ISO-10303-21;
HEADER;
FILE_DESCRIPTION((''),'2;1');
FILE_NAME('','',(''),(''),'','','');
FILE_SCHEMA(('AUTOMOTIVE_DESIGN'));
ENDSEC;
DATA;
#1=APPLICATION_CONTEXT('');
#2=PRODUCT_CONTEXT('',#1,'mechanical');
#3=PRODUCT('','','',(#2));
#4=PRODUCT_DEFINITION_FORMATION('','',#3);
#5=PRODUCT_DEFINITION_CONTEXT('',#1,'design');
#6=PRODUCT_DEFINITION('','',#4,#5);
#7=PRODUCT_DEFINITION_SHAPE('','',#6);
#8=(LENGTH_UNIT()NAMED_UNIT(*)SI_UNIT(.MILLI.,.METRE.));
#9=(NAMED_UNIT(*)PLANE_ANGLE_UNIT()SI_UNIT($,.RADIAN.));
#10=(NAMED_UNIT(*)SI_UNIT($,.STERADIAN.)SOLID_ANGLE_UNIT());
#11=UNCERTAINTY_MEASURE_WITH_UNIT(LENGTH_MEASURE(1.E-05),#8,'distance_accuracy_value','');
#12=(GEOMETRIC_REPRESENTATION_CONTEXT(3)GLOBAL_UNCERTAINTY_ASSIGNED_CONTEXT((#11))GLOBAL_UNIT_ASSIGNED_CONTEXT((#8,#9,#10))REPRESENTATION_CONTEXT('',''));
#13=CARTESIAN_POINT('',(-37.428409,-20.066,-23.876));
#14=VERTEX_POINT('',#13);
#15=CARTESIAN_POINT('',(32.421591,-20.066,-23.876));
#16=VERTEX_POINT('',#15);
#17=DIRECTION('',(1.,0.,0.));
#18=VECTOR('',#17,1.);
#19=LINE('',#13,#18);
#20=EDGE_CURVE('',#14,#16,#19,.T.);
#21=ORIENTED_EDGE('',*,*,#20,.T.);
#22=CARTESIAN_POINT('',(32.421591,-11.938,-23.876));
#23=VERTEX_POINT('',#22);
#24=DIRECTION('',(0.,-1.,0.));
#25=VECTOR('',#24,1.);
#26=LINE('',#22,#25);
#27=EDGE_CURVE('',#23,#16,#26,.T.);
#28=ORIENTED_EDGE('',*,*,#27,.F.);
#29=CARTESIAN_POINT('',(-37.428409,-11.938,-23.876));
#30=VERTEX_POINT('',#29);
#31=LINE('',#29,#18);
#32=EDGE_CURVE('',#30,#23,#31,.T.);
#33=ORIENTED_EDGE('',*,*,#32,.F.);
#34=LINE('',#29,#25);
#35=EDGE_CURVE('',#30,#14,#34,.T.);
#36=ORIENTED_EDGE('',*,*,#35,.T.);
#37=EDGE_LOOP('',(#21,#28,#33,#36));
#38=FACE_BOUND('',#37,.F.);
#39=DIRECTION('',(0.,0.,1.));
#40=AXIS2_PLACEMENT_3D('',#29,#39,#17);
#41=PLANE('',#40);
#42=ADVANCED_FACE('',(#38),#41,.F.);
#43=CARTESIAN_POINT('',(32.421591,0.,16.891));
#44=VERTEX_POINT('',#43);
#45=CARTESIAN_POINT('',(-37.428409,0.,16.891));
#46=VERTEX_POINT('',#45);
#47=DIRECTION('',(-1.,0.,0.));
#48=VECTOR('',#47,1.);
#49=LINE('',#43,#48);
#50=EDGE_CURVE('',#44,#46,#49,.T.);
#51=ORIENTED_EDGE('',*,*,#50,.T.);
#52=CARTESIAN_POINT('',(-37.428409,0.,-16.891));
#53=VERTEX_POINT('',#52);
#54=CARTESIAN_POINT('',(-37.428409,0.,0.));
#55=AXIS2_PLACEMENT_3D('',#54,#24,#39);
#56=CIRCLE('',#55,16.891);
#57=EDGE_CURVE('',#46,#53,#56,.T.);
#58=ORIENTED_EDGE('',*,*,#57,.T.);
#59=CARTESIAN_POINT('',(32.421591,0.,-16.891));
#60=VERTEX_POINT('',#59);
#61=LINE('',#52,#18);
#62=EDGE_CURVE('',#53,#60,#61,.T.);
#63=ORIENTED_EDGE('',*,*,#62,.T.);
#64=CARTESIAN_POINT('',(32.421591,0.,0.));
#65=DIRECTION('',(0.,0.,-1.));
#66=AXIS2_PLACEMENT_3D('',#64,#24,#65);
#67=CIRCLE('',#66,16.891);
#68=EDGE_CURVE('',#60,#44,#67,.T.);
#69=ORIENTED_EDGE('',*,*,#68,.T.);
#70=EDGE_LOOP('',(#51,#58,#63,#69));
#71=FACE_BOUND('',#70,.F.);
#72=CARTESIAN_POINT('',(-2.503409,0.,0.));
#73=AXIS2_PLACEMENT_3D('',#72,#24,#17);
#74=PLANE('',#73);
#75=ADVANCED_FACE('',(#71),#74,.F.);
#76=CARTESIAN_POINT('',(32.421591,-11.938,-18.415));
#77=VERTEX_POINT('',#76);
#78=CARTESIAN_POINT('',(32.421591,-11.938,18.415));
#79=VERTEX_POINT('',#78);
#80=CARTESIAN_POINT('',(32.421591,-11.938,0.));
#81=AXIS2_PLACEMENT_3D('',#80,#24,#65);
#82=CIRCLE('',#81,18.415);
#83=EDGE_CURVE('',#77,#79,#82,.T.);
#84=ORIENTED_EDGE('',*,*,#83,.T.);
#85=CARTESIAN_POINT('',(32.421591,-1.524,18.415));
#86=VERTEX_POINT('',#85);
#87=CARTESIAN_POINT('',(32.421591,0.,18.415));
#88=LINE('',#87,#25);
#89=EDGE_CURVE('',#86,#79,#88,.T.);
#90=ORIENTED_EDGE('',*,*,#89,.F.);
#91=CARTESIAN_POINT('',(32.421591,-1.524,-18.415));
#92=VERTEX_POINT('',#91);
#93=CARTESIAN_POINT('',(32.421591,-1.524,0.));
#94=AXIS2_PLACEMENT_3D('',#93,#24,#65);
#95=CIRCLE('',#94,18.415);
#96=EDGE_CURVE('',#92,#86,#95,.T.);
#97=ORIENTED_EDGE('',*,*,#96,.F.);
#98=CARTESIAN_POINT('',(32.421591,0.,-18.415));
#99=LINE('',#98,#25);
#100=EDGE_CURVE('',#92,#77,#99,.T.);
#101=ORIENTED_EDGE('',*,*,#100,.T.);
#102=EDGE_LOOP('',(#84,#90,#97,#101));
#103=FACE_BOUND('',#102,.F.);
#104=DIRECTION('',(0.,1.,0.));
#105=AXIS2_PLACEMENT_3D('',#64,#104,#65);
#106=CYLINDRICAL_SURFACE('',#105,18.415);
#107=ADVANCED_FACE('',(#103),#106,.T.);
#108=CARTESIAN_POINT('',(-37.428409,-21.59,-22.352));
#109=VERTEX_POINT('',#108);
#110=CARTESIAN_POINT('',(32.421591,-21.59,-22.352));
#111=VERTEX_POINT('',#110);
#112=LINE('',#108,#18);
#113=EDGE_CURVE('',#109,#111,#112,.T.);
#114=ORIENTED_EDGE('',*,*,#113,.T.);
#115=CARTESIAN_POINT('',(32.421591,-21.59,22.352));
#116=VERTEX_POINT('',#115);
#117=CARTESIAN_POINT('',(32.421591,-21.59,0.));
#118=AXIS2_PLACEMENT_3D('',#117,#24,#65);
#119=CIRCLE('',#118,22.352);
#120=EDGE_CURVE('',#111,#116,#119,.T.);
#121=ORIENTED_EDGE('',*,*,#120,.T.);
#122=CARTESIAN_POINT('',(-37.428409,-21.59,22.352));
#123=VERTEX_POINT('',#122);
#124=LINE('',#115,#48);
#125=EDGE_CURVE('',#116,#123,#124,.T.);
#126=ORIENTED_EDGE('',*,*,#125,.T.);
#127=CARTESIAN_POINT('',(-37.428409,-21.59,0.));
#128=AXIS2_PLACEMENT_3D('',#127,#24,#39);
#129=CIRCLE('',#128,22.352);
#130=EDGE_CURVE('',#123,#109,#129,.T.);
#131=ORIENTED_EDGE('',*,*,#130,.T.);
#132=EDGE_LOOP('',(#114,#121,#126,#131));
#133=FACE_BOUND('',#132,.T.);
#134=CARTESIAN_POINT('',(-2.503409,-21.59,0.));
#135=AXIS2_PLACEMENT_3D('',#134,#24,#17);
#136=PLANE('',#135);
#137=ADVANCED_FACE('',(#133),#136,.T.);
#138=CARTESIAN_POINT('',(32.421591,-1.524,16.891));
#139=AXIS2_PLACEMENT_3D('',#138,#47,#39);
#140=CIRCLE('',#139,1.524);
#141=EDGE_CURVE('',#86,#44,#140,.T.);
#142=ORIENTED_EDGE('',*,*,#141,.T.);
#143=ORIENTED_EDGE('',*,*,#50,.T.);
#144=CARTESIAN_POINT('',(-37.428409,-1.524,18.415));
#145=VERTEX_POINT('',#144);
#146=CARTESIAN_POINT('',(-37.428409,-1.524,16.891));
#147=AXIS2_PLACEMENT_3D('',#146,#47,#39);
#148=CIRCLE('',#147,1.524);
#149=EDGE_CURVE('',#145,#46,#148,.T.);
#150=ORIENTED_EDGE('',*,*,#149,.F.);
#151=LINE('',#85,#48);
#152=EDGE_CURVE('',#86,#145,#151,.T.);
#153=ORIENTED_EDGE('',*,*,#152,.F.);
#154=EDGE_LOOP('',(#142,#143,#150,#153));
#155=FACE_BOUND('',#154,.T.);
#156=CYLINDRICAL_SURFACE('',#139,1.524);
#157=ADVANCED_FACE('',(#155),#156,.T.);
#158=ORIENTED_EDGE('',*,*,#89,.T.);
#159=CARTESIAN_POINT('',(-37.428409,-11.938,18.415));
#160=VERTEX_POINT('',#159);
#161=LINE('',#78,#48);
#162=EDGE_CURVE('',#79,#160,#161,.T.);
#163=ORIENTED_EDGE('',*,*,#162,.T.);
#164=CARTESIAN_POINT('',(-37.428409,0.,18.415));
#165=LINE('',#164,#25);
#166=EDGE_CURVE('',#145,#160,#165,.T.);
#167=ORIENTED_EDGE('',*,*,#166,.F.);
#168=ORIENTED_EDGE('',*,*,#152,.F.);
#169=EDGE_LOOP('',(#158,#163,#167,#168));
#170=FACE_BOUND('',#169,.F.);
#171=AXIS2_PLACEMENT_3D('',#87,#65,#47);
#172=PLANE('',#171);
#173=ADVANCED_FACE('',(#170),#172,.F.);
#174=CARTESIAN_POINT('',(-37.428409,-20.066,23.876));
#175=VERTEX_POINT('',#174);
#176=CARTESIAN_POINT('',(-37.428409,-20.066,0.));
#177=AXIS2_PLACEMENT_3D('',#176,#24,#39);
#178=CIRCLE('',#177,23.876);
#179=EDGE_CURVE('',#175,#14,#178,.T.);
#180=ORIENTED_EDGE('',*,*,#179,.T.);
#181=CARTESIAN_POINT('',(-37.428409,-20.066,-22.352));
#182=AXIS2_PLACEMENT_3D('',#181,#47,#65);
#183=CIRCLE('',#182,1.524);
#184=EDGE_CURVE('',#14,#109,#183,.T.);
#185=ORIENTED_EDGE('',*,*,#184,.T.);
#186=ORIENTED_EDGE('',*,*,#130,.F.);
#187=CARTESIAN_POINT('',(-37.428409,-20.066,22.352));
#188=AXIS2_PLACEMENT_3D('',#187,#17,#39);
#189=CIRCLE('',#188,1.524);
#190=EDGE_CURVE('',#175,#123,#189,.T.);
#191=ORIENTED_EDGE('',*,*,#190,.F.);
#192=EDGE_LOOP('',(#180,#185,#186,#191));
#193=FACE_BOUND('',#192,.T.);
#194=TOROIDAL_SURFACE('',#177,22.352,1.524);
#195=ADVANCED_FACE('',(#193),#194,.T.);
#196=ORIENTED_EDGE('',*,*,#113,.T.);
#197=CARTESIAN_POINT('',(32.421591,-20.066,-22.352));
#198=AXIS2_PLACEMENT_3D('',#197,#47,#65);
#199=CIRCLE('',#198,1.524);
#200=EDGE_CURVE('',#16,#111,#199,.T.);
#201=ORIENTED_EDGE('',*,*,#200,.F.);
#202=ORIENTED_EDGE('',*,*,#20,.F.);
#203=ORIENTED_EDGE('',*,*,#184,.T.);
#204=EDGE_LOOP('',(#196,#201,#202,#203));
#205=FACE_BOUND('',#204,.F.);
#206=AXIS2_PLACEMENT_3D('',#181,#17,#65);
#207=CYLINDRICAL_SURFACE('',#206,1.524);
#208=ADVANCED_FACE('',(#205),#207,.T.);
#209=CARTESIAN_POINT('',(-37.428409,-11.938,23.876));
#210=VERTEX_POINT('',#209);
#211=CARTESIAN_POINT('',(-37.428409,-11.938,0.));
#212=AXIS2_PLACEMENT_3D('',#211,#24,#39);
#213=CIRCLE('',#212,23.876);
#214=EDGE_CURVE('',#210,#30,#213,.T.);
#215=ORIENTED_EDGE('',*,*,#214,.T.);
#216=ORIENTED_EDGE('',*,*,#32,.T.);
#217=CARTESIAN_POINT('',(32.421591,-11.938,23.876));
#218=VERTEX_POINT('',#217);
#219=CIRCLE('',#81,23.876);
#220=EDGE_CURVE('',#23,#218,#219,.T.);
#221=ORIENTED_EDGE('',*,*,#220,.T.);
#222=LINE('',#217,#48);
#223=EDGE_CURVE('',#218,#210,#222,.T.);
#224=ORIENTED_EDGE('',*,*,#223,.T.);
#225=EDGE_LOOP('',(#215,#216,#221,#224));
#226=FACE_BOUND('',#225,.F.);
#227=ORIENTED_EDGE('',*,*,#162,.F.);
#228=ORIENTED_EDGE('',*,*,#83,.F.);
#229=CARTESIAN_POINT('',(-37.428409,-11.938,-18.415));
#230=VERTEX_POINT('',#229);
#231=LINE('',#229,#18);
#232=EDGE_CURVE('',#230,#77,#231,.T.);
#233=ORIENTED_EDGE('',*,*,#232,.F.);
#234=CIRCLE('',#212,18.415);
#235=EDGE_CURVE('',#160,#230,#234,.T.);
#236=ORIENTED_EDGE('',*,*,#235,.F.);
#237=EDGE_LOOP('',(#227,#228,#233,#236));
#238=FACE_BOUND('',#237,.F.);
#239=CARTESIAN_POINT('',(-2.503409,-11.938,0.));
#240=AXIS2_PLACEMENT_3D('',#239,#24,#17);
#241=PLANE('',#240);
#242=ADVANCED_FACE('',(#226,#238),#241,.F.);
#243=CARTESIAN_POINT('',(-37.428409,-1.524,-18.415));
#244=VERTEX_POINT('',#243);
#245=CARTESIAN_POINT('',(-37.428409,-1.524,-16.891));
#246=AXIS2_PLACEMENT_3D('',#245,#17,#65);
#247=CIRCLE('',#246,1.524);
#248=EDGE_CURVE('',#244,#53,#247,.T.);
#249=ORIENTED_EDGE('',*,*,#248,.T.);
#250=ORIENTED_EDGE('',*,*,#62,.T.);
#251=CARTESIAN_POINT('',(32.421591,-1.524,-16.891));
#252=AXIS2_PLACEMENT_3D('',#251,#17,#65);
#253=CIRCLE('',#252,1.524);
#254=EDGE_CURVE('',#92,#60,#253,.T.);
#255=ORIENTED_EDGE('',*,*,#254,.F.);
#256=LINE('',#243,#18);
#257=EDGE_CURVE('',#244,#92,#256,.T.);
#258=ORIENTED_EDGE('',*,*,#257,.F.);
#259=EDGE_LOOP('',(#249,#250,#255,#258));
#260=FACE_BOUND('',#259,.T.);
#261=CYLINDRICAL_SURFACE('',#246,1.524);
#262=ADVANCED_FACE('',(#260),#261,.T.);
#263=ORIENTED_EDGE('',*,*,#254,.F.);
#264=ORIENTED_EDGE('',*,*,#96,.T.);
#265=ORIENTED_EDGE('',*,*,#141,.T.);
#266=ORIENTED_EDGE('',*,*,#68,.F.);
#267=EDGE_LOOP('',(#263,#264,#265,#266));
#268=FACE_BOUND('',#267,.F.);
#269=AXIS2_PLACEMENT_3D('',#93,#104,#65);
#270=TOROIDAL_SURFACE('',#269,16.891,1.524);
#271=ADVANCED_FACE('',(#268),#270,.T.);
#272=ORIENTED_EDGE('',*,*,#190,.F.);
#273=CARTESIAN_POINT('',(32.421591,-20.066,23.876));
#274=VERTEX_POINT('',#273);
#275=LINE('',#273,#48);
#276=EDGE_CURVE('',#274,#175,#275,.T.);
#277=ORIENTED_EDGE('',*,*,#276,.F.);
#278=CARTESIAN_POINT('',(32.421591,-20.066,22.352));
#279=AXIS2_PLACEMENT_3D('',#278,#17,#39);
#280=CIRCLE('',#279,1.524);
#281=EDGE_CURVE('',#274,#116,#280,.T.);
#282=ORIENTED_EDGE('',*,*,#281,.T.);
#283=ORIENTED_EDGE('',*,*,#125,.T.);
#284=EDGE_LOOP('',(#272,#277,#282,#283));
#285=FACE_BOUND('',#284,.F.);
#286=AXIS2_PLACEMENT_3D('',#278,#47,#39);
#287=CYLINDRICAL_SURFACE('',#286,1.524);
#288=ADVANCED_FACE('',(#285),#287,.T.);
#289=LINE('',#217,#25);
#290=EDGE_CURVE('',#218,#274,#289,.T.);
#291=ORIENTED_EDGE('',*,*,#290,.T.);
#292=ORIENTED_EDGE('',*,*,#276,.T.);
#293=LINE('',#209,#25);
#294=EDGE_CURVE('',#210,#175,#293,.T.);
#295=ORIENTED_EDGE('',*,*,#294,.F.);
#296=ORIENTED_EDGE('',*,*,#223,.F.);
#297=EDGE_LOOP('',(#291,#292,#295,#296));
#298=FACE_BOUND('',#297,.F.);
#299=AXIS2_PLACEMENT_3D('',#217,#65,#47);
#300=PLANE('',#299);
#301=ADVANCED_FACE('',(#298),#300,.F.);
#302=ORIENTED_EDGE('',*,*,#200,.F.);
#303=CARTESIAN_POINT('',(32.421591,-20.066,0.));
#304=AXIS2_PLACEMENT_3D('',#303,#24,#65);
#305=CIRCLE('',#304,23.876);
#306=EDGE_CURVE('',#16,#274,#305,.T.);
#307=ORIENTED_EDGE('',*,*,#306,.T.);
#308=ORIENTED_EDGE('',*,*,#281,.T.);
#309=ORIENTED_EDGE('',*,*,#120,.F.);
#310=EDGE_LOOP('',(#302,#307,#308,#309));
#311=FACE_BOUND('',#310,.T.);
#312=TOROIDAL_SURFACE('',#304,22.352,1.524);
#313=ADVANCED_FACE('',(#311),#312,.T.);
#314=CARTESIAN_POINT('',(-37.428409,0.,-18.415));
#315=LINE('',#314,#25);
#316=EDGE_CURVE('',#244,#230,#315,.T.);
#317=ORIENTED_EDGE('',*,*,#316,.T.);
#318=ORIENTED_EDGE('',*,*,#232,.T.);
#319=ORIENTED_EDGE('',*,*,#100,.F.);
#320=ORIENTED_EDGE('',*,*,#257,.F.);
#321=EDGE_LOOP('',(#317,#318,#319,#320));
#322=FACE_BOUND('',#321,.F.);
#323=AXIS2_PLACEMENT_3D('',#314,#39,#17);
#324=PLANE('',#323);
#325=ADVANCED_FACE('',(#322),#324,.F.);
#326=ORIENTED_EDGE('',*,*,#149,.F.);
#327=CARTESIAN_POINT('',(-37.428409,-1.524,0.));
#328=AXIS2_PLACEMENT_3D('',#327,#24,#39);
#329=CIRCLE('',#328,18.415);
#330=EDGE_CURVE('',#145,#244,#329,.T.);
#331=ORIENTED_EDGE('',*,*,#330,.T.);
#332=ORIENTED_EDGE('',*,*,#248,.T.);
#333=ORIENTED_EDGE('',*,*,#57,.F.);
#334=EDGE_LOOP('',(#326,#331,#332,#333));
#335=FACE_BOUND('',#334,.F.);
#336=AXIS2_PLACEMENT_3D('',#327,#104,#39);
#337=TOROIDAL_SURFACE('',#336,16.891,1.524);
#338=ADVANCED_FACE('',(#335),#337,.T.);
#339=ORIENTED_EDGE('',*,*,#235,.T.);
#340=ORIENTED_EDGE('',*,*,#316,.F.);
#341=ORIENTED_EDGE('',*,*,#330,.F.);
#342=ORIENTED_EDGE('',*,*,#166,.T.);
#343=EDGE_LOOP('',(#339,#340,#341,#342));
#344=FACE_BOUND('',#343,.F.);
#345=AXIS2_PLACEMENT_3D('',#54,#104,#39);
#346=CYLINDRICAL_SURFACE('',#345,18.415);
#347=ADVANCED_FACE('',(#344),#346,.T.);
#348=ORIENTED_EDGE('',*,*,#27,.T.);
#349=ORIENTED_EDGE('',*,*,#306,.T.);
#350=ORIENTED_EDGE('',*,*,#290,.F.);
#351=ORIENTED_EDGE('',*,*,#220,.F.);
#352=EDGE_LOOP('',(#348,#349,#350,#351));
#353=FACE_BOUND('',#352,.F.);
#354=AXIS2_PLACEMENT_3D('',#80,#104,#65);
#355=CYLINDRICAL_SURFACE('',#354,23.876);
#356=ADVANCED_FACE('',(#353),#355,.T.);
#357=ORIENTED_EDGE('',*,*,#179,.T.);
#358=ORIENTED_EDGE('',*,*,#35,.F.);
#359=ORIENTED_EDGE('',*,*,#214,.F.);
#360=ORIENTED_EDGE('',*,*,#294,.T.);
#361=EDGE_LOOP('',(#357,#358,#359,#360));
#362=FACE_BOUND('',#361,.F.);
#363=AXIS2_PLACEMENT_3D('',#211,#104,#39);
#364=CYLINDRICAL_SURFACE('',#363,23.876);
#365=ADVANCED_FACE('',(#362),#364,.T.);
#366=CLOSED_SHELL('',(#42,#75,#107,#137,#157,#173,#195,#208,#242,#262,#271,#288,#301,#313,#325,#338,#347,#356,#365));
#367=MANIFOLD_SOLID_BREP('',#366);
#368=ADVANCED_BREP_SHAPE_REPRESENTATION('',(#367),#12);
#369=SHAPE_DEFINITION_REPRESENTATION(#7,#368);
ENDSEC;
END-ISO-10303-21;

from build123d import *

# Parameters (mm, degrees)
F1_DEPTH = 11.938
F3_DEPTH = 9.652
F4_R     = 1.524


with BuildPart() as f1:
    # F0 (on Front) → F1 (new body)
    with BuildSketch(Plane.XZ):
        with BuildLine():
            Line((32.421591, 18.415), (-37.428409, 18.415))
            ThreePointArc((-37.428409, 18.415), (-55.843409, 0), (-37.428409, -18.415))
            Line((-37.428409, -18.415), (32.421591, -18.415))
            ThreePointArc((32.421591, -18.415), (50.836591, 0), (32.421591, 18.415))
        make_face()
    extrude(amount=F1_DEPTH)

    # F2 (on face) → F3 (join)
    with BuildSketch(Plane.XZ.offset(11.938)):
        with BuildLine():
            Line((32.421591, 23.876), (-37.428409, 23.876))
            ThreePointArc((-37.428409, 23.876), (-61.304409, 0), (-37.428409, -23.876))
            Line((-37.428409, -23.876), (32.421591, -23.876))
            ThreePointArc((32.421591, -23.876), (56.297591, 0), (32.421591, 23.876))
        make_face()
    extrude(amount=F3_DEPTH)

    # F4
    f4_edges = [f1.edges().sort_by_distance(p)[0] for p in [
        (-2.503409, -21.59, 23.876),
        (-61.304409, -21.59, 0),
        (-2.503409, -21.59, -23.876),
        (56.297591, -21.59, 0),
        (-2.503409, 0, 18.415),
        (-55.843409, 0, 0),
        (-2.503409, 0, -18.415),
        (50.836591, 0, 0),
    ]]
    fillet(f4_edges, radius=F4_R)


solid = f1.part
